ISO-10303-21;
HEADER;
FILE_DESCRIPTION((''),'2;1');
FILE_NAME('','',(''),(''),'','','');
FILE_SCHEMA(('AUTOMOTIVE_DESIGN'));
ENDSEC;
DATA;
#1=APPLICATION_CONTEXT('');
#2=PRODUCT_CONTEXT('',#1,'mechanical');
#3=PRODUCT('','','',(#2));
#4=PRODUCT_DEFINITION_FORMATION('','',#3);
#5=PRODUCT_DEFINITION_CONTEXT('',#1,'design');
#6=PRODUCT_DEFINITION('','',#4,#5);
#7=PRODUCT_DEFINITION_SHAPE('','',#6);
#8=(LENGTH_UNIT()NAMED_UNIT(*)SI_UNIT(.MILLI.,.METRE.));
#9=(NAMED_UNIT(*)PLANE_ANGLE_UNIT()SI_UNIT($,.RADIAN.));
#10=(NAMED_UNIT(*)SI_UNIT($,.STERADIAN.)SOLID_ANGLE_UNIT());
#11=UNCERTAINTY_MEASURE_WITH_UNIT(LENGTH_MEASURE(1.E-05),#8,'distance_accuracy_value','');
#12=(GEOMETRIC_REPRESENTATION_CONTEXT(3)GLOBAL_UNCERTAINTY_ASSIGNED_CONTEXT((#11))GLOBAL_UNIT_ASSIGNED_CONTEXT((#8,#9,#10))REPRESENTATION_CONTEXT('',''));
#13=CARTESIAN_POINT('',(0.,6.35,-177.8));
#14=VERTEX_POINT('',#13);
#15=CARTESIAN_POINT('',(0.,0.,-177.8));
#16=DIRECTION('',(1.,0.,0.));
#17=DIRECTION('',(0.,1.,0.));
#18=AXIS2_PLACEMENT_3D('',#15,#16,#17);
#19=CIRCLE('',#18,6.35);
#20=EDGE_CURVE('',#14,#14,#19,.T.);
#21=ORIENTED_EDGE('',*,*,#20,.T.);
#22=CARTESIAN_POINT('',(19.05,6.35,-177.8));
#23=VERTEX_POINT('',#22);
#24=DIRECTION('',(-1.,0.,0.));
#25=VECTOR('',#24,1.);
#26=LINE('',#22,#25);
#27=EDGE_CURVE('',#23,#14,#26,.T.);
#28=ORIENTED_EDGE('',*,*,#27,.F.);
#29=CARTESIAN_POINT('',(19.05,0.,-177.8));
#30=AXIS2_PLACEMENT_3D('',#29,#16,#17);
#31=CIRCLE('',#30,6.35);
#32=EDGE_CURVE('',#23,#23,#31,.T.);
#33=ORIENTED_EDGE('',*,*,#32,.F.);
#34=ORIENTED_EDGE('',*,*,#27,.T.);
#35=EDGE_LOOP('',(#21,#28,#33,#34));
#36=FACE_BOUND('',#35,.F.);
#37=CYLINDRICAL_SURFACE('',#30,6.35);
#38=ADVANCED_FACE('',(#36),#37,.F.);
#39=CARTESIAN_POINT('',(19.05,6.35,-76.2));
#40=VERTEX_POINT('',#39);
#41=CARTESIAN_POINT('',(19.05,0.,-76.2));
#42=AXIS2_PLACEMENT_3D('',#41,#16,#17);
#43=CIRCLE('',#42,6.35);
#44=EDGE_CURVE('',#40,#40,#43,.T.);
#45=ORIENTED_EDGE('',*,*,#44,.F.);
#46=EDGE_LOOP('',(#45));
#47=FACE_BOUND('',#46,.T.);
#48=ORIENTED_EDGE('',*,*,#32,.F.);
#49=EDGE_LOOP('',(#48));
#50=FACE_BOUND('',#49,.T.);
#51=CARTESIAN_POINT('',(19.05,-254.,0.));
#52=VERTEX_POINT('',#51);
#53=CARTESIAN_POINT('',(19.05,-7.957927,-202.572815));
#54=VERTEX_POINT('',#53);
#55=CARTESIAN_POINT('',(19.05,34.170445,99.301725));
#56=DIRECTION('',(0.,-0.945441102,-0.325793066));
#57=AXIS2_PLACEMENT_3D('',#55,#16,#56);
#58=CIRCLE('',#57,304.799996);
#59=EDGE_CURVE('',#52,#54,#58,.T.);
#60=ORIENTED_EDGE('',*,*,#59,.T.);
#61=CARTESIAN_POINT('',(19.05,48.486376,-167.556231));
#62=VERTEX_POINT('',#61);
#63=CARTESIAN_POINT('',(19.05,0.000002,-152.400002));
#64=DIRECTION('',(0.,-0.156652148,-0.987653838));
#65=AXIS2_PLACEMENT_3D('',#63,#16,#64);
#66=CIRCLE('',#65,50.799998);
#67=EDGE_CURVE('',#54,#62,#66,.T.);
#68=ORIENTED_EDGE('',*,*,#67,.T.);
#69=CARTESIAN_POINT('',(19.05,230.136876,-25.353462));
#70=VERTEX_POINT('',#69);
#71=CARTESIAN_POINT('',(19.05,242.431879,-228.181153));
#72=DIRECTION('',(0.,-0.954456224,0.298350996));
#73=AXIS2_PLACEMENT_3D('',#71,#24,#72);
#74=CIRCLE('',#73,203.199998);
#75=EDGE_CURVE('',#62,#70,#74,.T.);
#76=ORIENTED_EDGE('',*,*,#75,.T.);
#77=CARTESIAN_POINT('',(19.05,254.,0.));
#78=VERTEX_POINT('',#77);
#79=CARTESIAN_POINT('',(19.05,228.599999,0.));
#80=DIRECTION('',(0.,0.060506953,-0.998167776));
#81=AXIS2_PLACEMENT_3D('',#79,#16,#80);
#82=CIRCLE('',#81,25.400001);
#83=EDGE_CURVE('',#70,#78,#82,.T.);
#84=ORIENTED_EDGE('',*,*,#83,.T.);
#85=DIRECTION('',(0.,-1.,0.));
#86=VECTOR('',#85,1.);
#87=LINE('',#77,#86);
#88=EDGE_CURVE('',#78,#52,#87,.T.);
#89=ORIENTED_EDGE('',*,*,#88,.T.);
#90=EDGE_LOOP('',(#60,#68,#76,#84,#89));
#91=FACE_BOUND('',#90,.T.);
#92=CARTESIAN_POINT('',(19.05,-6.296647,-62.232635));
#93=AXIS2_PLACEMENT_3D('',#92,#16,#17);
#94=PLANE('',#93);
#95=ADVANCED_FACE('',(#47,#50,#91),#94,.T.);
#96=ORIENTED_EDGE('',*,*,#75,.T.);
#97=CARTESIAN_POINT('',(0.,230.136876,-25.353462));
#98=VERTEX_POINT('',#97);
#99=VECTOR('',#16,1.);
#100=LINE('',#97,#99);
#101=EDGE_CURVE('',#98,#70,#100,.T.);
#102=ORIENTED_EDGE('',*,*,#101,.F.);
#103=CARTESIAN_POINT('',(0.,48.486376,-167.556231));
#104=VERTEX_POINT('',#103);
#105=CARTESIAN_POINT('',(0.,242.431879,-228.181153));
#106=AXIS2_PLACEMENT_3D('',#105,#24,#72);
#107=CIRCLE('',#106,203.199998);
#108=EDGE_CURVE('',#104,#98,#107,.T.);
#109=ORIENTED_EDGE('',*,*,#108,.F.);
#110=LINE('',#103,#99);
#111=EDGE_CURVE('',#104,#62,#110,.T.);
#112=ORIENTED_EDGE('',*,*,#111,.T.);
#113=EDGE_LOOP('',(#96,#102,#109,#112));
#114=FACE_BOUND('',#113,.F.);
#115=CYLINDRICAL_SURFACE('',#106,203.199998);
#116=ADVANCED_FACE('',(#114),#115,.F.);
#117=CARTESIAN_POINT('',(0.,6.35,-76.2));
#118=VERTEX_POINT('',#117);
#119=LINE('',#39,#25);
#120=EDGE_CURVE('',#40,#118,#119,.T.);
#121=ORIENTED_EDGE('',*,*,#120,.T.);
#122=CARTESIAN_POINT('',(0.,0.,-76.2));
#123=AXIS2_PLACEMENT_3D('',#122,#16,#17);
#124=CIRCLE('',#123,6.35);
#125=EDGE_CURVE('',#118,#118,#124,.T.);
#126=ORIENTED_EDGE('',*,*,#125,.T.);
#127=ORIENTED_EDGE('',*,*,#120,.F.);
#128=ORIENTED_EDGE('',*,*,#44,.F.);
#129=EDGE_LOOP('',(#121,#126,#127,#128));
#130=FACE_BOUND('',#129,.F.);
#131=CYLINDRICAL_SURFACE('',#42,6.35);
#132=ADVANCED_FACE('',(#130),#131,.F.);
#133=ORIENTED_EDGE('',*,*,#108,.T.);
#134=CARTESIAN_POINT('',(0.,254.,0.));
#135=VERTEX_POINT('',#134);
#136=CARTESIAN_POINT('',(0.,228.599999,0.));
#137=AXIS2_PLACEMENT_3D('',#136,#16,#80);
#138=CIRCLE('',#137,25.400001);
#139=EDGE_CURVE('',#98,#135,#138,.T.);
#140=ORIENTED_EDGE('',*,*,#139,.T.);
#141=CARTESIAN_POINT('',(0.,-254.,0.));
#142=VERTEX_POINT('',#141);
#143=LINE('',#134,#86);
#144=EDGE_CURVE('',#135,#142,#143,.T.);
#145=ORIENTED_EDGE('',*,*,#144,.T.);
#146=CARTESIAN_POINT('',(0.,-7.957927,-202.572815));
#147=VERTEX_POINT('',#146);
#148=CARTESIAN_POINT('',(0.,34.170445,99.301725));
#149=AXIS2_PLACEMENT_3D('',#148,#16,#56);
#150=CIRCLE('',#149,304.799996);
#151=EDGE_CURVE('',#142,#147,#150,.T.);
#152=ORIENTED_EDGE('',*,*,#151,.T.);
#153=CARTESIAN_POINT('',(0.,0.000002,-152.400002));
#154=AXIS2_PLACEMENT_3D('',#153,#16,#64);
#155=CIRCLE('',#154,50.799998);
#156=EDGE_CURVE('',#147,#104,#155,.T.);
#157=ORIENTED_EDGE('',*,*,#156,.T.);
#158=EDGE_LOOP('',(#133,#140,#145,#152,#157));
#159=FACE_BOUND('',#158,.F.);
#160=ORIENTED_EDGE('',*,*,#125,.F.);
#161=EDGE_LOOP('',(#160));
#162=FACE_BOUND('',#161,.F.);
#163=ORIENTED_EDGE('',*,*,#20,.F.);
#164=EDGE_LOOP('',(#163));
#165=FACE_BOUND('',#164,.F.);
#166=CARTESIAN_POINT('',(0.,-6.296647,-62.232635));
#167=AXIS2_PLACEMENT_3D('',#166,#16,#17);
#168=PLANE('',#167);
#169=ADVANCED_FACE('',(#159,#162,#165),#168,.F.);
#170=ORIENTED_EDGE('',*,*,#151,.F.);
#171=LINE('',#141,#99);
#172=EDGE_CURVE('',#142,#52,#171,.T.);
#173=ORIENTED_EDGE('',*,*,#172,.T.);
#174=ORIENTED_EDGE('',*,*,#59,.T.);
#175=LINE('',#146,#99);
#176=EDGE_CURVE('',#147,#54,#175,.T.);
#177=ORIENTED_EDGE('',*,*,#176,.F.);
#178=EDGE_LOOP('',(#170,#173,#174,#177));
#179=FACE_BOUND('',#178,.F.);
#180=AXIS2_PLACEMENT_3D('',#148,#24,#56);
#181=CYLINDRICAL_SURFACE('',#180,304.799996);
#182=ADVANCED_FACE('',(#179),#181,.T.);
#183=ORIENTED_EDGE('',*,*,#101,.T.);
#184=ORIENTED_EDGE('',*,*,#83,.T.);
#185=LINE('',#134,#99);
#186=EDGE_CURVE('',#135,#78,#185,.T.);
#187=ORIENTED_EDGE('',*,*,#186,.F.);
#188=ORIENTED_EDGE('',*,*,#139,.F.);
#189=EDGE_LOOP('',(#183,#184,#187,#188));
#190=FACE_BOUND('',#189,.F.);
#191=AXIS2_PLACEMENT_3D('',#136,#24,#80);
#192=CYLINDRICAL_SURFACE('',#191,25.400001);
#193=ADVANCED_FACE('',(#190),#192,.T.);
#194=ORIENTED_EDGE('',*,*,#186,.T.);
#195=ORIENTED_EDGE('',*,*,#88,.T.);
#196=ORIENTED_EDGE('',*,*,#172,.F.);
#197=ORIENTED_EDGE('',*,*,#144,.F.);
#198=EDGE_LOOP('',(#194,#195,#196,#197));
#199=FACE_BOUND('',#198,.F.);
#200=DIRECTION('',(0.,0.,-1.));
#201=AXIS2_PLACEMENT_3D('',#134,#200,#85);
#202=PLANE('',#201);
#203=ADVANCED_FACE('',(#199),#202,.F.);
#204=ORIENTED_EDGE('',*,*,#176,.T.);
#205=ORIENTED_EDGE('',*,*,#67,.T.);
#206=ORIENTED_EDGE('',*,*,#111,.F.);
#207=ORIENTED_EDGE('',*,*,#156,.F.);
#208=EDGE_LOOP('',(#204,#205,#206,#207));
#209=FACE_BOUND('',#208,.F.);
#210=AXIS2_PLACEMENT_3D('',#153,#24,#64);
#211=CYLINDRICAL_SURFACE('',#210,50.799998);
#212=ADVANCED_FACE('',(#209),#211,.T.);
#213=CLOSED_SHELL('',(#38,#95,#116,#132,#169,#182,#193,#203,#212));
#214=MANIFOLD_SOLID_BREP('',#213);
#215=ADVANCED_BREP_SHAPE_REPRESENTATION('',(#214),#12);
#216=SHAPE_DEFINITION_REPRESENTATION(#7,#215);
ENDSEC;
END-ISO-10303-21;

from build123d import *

# Parameters (mm, degrees)
F1_DEPTH = 19.05
F2_R     = 6.35
F3_DEPTH = 19.051


with BuildPart() as f1:
    # F0 (on Right) → F1 (new body)
    with BuildSketch(Plane.YZ):
        with BuildLine():
            ThreePointArc((-254, 0), (-159.564589, -136.006104), (-7.957927, -202.572815))
            ThreePointArc((-7.957927, -202.572815), (26.7802, -195.567823), (48.486376, -167.556231))
            ThreePointArc((48.486376, -167.556231), (117.175368, -68.177885), (230.136876, -25.353462))
            ThreePointArc((230.136876, -25.353462), (247.0959, -17.408667), (254, 0))
            Line((254, 0), (-254, 0))
        make_face()
    extrude(amount=F1_DEPTH)

    # F2 (on face) → F3 (cut, through all)
    with BuildSketch(Plane.YZ.offset(19.05)):
        with Locations((0, -177.8)):
            Circle(F2_R)
        with Locations((0, -76.2)):
            Circle(F2_R)
    extrude(amount=-F3_DEPTH, mode=Mode.SUBTRACT)


solid = f1.part
